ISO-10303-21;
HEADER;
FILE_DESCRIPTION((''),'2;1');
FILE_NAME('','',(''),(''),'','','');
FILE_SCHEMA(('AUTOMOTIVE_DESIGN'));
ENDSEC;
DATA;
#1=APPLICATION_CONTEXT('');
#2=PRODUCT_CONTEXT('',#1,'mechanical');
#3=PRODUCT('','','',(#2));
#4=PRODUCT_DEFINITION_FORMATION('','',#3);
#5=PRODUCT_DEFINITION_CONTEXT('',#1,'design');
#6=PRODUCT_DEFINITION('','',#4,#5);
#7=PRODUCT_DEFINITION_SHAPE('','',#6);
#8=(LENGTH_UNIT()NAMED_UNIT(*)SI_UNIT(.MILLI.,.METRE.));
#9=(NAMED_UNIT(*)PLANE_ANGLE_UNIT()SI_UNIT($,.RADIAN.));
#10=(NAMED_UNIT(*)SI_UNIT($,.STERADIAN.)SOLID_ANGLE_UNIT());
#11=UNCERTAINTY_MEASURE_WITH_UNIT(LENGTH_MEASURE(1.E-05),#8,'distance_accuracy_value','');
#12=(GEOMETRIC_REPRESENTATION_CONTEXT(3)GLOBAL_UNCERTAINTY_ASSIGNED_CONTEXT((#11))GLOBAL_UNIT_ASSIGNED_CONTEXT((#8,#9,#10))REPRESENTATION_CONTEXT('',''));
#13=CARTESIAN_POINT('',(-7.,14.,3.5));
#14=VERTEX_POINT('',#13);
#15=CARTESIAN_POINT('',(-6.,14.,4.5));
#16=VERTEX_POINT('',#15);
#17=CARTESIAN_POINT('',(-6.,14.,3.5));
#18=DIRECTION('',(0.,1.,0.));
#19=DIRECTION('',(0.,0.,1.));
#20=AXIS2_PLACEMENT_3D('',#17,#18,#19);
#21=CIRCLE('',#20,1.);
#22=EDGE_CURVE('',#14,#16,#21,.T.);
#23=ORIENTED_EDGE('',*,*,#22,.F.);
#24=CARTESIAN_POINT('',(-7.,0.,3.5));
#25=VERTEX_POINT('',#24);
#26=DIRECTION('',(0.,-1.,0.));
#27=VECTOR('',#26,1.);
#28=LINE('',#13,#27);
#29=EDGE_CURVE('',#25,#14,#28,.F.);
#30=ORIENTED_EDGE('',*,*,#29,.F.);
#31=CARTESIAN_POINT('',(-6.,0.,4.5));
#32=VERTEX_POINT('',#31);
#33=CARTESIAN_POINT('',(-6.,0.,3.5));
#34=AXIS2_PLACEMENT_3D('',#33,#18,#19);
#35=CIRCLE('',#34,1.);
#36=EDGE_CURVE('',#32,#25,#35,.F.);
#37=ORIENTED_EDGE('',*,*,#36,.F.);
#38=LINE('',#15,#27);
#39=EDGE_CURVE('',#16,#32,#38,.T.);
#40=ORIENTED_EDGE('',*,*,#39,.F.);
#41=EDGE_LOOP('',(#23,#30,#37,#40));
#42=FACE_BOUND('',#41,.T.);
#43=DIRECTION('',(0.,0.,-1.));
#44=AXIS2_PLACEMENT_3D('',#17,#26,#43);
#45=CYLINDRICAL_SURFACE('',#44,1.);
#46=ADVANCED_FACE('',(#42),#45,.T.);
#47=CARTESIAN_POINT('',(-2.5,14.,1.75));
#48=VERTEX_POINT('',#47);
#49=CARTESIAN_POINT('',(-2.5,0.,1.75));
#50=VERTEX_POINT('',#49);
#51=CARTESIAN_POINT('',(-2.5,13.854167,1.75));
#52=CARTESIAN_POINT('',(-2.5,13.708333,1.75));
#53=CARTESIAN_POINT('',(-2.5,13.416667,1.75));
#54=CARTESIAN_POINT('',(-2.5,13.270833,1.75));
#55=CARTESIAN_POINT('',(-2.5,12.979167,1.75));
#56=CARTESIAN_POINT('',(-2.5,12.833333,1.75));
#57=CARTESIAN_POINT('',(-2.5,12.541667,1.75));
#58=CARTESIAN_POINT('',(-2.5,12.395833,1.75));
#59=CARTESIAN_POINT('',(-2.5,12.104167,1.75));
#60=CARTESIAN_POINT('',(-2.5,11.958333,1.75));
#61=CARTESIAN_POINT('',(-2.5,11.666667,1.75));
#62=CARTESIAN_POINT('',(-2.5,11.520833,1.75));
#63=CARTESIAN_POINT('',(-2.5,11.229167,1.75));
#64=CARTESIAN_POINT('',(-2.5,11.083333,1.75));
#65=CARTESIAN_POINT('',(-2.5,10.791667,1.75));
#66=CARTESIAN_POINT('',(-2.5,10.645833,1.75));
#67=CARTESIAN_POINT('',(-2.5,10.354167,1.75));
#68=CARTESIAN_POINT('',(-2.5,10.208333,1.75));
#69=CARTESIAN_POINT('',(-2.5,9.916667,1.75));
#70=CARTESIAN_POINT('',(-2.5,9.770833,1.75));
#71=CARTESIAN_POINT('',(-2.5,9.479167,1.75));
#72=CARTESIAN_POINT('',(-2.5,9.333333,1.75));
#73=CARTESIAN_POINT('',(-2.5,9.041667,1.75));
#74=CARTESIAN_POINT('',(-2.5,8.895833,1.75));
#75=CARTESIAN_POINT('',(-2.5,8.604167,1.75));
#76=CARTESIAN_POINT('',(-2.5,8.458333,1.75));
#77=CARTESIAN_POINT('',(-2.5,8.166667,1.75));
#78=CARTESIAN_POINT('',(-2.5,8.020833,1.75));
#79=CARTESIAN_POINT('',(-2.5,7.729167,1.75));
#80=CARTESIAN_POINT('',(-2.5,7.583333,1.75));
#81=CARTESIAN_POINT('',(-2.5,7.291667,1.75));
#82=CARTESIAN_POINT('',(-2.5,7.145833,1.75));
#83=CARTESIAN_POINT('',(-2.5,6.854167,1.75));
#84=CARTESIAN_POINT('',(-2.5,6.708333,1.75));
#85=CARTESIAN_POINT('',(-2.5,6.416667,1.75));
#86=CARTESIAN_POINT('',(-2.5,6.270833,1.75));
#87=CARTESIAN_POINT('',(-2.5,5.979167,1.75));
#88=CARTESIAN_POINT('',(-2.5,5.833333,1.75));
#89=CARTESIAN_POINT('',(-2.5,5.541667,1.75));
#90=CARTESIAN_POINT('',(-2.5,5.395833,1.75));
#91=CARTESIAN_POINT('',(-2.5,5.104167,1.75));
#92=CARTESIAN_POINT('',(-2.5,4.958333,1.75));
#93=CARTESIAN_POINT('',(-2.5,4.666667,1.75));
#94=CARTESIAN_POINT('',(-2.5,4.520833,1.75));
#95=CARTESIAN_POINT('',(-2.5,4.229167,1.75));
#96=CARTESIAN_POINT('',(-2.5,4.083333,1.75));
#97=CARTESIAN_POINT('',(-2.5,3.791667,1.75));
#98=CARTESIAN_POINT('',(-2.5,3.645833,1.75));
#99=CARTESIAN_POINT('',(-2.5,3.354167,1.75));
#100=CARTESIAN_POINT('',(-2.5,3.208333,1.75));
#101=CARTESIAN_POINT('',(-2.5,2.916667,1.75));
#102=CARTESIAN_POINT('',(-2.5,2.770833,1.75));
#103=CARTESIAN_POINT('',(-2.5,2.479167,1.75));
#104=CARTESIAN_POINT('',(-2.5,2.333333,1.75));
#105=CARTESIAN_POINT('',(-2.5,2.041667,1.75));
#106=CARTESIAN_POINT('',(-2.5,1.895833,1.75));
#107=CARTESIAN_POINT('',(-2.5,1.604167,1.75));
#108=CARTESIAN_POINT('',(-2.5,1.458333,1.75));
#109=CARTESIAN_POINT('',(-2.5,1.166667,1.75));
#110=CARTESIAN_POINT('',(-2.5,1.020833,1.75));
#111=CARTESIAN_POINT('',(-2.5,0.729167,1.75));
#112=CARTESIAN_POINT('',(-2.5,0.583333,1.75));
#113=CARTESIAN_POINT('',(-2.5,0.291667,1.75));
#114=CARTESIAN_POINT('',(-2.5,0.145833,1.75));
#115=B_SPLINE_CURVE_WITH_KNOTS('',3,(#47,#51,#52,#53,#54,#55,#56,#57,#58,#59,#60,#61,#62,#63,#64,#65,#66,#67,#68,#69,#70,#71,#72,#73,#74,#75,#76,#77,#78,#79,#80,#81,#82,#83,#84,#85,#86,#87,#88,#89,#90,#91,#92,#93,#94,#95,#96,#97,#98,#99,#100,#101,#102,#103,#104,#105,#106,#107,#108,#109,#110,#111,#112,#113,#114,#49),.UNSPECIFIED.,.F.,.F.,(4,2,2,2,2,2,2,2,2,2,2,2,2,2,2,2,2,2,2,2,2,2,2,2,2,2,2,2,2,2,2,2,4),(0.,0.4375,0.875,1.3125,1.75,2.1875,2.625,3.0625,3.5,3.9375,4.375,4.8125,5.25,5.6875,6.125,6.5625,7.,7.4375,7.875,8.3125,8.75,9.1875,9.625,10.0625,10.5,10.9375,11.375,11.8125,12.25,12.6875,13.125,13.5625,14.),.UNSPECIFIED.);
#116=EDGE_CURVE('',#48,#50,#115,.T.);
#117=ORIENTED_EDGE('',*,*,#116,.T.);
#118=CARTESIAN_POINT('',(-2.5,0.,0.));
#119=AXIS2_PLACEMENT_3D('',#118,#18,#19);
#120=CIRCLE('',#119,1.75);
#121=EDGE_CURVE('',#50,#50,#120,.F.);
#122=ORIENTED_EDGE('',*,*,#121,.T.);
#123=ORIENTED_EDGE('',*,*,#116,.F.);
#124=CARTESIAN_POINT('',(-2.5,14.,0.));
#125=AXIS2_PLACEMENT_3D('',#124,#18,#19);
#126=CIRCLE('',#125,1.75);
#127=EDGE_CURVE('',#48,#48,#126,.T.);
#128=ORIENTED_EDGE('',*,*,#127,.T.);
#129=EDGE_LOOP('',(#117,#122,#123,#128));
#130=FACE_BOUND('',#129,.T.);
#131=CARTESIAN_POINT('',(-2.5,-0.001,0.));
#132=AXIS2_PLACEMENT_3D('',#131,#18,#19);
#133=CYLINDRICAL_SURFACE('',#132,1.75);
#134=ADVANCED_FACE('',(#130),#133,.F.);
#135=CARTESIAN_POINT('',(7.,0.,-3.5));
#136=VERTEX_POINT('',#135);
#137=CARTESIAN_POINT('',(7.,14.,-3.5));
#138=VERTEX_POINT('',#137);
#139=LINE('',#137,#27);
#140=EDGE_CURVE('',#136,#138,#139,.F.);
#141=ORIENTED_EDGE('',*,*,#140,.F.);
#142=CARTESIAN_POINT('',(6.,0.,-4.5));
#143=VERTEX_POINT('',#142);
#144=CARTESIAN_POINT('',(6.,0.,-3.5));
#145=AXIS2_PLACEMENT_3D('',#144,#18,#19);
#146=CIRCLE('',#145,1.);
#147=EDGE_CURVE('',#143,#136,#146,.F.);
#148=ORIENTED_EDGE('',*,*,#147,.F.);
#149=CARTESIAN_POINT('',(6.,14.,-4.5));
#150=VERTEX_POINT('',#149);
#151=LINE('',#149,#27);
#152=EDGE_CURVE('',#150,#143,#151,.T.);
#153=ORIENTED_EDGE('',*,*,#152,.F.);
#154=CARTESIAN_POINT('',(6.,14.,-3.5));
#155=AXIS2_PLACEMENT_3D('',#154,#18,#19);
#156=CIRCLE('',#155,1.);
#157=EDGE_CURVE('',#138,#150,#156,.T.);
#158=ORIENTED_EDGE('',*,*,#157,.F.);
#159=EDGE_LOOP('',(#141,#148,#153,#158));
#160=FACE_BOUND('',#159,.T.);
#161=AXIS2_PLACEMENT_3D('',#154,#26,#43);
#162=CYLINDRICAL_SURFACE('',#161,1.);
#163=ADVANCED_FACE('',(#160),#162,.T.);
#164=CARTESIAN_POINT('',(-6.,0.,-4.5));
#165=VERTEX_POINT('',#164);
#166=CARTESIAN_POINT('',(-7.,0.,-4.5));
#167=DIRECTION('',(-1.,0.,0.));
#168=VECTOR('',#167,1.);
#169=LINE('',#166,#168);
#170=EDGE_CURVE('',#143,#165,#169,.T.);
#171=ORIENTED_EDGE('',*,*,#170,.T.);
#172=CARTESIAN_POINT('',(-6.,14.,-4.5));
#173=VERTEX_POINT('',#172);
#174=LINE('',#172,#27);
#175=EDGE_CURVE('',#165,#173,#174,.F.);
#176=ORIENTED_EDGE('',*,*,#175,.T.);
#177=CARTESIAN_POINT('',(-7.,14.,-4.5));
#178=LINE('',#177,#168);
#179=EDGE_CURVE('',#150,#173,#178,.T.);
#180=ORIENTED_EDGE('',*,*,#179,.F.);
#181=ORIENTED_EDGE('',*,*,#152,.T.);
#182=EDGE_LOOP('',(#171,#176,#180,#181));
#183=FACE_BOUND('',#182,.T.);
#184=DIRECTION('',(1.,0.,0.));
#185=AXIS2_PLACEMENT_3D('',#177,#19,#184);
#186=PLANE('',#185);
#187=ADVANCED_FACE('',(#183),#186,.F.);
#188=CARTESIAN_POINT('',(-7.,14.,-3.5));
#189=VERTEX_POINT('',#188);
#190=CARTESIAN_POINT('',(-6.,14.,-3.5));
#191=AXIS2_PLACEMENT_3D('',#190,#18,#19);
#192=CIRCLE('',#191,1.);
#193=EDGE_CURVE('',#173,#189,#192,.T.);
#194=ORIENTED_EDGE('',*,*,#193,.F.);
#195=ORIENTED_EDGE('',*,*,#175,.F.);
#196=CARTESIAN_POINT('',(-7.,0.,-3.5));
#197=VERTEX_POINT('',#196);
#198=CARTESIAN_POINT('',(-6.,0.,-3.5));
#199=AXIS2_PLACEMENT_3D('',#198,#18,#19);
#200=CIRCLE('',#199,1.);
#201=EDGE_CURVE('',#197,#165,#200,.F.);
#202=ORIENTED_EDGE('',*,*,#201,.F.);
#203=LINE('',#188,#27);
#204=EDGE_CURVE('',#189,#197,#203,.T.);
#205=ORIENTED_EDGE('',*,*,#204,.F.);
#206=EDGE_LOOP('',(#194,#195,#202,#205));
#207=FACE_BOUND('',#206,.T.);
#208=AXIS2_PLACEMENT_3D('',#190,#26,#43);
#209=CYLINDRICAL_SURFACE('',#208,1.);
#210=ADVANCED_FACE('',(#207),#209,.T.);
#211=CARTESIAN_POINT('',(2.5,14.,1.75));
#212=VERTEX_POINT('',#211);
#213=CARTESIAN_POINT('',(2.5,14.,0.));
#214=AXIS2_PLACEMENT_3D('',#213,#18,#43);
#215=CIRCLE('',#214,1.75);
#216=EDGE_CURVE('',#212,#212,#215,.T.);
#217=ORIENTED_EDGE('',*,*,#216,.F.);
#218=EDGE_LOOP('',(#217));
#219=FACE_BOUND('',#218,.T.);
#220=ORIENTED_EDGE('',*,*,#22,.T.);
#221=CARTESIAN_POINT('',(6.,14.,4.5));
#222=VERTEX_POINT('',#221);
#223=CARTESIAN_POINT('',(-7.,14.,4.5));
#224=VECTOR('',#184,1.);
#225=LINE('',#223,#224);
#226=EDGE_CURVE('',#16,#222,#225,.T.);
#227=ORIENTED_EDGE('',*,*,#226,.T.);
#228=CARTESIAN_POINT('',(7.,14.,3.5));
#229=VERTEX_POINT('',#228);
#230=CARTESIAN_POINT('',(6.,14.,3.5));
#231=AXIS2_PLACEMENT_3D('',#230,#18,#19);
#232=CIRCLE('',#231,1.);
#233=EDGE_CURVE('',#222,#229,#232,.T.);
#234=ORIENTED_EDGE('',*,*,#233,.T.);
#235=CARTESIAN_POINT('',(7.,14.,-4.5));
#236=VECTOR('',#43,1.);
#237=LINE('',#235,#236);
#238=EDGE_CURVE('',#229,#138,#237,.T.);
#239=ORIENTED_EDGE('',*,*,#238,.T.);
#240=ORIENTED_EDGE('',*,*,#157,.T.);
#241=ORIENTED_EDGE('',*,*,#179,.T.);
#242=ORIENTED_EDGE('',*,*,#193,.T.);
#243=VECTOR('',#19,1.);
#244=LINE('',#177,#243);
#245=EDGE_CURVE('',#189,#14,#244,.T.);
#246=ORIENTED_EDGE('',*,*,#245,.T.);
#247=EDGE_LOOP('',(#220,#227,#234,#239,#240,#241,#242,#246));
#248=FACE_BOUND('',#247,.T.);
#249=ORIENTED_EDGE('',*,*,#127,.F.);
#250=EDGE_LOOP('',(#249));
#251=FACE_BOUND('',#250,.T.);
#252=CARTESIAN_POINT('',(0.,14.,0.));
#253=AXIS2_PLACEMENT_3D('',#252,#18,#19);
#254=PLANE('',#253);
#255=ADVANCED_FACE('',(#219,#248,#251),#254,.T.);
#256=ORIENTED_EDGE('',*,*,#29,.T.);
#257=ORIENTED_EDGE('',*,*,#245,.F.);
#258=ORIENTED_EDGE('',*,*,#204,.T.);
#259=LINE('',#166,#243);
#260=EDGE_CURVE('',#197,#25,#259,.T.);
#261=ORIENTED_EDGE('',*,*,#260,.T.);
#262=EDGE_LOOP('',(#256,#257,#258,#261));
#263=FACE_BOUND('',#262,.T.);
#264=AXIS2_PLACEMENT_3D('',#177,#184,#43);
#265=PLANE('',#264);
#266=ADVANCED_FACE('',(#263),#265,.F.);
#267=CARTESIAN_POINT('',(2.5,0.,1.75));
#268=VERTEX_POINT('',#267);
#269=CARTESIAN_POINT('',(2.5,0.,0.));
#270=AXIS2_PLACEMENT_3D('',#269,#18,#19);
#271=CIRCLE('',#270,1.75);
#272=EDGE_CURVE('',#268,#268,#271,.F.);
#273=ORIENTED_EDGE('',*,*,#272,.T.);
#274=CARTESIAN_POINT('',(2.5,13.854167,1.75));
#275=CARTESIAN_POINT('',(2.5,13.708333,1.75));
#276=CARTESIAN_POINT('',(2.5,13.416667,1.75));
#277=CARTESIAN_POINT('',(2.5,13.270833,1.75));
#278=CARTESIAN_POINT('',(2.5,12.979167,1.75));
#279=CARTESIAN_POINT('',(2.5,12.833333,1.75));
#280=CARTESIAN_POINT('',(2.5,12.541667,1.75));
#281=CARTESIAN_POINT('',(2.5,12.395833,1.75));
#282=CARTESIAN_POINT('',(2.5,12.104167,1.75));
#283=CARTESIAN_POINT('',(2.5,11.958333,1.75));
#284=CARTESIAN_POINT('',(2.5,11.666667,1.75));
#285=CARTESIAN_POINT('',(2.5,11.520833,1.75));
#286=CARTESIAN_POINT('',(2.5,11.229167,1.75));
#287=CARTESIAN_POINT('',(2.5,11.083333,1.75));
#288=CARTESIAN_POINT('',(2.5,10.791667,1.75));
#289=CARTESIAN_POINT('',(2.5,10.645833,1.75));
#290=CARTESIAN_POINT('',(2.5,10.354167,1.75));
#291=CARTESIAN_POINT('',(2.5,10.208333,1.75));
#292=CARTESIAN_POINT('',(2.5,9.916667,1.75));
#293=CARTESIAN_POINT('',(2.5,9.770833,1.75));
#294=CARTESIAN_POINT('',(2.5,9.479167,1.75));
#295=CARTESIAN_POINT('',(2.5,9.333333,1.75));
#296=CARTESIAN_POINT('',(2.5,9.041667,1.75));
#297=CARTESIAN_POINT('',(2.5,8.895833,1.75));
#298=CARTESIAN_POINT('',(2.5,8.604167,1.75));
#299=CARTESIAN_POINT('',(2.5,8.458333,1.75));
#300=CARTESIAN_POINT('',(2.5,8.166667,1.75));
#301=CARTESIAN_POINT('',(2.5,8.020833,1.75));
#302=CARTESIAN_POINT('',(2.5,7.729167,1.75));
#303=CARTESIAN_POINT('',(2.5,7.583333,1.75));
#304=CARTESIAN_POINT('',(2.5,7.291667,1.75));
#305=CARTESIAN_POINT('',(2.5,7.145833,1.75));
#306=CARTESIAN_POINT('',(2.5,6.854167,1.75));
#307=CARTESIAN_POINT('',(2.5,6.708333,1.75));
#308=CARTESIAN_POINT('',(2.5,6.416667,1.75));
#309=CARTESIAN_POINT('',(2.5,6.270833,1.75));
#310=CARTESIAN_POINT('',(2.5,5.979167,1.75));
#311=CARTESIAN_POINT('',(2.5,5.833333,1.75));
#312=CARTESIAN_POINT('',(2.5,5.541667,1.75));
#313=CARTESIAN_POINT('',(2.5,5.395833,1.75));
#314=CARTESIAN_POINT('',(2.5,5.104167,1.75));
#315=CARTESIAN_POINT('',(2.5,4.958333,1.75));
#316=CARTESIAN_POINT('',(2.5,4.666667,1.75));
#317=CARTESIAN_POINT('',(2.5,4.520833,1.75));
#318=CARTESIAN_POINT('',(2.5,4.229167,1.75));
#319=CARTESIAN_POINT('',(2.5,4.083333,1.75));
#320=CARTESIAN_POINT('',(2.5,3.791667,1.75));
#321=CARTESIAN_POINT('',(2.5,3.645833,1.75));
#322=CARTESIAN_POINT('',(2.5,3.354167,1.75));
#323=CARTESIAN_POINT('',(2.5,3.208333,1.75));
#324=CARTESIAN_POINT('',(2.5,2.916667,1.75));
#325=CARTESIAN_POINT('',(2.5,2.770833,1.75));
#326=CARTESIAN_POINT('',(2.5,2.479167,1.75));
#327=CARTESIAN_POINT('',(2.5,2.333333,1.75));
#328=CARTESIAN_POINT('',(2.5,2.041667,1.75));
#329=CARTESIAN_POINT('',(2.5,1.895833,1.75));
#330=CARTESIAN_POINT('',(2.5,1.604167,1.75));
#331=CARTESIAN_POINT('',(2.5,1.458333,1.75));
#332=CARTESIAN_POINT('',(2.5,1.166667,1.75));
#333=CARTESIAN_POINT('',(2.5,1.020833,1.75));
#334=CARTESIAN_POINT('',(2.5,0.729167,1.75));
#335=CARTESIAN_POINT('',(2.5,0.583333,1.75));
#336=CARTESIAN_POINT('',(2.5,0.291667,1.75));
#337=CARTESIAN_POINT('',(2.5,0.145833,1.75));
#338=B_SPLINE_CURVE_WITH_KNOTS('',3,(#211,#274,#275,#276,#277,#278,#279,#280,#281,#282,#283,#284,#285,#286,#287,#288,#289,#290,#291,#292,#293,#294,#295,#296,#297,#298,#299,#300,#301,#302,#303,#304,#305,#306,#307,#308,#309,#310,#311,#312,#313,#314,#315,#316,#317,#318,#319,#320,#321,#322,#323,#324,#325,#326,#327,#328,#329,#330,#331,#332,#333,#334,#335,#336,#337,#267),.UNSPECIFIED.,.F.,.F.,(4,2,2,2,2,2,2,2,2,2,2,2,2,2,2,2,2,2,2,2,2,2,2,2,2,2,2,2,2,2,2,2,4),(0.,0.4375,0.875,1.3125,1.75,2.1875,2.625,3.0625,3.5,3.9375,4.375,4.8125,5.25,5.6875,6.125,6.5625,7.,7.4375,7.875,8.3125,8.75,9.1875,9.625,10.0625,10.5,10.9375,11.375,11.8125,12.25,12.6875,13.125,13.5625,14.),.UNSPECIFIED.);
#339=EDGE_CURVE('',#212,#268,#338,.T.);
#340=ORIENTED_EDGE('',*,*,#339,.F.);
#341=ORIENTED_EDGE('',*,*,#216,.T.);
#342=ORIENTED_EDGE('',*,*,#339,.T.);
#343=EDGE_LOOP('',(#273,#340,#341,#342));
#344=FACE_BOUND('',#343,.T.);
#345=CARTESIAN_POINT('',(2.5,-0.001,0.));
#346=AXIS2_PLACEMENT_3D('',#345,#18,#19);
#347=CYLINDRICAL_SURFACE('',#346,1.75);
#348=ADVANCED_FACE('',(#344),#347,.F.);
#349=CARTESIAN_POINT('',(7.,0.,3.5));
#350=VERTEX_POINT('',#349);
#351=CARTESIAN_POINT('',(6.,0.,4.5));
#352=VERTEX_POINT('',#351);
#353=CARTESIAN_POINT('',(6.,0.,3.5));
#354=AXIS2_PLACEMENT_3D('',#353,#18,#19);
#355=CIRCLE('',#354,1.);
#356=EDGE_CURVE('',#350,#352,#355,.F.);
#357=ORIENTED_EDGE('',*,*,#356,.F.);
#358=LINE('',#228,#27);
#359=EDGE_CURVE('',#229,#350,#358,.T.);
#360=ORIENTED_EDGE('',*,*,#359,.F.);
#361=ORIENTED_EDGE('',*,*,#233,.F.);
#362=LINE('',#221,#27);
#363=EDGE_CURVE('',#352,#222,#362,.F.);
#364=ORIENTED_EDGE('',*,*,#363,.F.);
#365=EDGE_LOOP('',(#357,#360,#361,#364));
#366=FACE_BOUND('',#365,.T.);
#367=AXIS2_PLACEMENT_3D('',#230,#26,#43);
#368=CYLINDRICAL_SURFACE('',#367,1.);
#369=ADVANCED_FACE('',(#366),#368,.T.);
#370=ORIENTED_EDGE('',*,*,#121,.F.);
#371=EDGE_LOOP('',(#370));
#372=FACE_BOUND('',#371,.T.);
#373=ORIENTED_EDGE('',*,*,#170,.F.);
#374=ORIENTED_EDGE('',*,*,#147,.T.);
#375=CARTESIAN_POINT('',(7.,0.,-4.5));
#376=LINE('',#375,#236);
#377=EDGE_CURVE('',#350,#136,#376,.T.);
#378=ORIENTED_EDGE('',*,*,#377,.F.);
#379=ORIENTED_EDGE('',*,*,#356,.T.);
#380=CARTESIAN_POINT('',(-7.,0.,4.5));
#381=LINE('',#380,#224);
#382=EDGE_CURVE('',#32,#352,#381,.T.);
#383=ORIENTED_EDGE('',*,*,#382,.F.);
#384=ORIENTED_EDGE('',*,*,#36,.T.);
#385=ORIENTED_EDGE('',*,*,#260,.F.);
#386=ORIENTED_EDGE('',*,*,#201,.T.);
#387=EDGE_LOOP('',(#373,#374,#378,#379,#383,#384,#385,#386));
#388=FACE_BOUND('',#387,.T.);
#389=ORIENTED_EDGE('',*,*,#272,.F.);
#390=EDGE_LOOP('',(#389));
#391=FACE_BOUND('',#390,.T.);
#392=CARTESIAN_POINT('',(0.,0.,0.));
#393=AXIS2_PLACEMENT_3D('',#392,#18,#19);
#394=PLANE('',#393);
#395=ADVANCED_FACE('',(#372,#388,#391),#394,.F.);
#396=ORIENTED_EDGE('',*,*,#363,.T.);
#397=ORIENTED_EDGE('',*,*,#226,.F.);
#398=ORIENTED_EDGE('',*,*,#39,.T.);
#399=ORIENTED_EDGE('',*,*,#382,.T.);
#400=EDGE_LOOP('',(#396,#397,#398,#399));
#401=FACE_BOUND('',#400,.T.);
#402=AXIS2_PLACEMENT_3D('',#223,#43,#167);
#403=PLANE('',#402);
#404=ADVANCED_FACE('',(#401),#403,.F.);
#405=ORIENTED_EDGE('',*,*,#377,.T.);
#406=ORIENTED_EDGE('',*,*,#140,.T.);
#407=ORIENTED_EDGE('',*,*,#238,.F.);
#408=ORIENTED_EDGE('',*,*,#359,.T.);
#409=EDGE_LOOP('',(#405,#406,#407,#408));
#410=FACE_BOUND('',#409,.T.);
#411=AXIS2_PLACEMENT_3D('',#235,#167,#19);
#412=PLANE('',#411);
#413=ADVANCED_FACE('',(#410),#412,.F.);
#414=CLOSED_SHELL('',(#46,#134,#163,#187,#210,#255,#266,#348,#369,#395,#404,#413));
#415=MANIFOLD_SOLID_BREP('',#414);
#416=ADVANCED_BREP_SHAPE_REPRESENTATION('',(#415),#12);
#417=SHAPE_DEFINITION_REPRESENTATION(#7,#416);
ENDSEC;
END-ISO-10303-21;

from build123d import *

# Parameters (mm, degrees)
SKETCH_1_W          = 14
SKETCH_1_H          = 9
EXTRUDE_1_DEPTH     = 14
FILLET_1_R          = 1
CUT_EXTRUDE_2_REACH = 18.286
SKETCH_3_R          = 1.75


with BuildPart() as part:
    # 草图1 → 凸台-拉伸1 (new body)
    with BuildSketch(Plane(origin=(0, 0, 0), x_dir=(1, 0, 0), z_dir=(0, 1, 0))):
        Rectangle(SKETCH_1_W, SKETCH_1_H)
    extrude(amount=EXTRUDE_1_DEPTH)

    # 圆角1
    fillet_1_edges = [part.edges().sort_by_distance(p)[0] for p in [
        (7, 7, 4.5),
        (-7, 7, 4.5),
        (-7, 7, -4.5),
        (7, 7, -4.5),
    ]]
    fillet(fillet_1_edges, radius=FILLET_1_R)

    # 草图3 → 切除-拉伸2 (cut, up to next)
    with BuildSketch(Plane(origin=(0, 14, 0), x_dir=(1, 0, 0), z_dir=(0, 1, 0)), mode=Mode.PRIVATE) as cut_extrude_2_sk1:
        with Locations(Location((-2.5, 0, 0), (0, 0, 270))):
            Circle(SKETCH_3_R)
    cut_extrude_2_tool1 = extrude(cut_extrude_2_sk1.sketch, amount=-CUT_EXTRUDE_2_REACH, mode=Mode.PRIVATE) & part.part
    # 草图3 → 切除-拉伸2 (cut, up to next)
    with BuildSketch(Plane(origin=(0, 14, 0), x_dir=(1, 0, 0), z_dir=(0, 1, 0)), mode=Mode.PRIVATE) as cut_extrude_2_sk2:
        with Locations(Location((2.5, 0, 0), (0, 0, 270))):
            Circle(SKETCH_3_R)
    cut_extrude_2_tool2 = extrude(cut_extrude_2_sk2.sketch, amount=-CUT_EXTRUDE_2_REACH, mode=Mode.PRIVATE) & part.part
    add(cut_extrude_2_tool1.solids().sort_by_distance((-2.5, 14, 0))[0], mode=Mode.SUBTRACT)
    add(cut_extrude_2_tool2.solids().sort_by_distance((2.5, 14, 0))[0], mode=Mode.SUBTRACT)


solid = part.part
